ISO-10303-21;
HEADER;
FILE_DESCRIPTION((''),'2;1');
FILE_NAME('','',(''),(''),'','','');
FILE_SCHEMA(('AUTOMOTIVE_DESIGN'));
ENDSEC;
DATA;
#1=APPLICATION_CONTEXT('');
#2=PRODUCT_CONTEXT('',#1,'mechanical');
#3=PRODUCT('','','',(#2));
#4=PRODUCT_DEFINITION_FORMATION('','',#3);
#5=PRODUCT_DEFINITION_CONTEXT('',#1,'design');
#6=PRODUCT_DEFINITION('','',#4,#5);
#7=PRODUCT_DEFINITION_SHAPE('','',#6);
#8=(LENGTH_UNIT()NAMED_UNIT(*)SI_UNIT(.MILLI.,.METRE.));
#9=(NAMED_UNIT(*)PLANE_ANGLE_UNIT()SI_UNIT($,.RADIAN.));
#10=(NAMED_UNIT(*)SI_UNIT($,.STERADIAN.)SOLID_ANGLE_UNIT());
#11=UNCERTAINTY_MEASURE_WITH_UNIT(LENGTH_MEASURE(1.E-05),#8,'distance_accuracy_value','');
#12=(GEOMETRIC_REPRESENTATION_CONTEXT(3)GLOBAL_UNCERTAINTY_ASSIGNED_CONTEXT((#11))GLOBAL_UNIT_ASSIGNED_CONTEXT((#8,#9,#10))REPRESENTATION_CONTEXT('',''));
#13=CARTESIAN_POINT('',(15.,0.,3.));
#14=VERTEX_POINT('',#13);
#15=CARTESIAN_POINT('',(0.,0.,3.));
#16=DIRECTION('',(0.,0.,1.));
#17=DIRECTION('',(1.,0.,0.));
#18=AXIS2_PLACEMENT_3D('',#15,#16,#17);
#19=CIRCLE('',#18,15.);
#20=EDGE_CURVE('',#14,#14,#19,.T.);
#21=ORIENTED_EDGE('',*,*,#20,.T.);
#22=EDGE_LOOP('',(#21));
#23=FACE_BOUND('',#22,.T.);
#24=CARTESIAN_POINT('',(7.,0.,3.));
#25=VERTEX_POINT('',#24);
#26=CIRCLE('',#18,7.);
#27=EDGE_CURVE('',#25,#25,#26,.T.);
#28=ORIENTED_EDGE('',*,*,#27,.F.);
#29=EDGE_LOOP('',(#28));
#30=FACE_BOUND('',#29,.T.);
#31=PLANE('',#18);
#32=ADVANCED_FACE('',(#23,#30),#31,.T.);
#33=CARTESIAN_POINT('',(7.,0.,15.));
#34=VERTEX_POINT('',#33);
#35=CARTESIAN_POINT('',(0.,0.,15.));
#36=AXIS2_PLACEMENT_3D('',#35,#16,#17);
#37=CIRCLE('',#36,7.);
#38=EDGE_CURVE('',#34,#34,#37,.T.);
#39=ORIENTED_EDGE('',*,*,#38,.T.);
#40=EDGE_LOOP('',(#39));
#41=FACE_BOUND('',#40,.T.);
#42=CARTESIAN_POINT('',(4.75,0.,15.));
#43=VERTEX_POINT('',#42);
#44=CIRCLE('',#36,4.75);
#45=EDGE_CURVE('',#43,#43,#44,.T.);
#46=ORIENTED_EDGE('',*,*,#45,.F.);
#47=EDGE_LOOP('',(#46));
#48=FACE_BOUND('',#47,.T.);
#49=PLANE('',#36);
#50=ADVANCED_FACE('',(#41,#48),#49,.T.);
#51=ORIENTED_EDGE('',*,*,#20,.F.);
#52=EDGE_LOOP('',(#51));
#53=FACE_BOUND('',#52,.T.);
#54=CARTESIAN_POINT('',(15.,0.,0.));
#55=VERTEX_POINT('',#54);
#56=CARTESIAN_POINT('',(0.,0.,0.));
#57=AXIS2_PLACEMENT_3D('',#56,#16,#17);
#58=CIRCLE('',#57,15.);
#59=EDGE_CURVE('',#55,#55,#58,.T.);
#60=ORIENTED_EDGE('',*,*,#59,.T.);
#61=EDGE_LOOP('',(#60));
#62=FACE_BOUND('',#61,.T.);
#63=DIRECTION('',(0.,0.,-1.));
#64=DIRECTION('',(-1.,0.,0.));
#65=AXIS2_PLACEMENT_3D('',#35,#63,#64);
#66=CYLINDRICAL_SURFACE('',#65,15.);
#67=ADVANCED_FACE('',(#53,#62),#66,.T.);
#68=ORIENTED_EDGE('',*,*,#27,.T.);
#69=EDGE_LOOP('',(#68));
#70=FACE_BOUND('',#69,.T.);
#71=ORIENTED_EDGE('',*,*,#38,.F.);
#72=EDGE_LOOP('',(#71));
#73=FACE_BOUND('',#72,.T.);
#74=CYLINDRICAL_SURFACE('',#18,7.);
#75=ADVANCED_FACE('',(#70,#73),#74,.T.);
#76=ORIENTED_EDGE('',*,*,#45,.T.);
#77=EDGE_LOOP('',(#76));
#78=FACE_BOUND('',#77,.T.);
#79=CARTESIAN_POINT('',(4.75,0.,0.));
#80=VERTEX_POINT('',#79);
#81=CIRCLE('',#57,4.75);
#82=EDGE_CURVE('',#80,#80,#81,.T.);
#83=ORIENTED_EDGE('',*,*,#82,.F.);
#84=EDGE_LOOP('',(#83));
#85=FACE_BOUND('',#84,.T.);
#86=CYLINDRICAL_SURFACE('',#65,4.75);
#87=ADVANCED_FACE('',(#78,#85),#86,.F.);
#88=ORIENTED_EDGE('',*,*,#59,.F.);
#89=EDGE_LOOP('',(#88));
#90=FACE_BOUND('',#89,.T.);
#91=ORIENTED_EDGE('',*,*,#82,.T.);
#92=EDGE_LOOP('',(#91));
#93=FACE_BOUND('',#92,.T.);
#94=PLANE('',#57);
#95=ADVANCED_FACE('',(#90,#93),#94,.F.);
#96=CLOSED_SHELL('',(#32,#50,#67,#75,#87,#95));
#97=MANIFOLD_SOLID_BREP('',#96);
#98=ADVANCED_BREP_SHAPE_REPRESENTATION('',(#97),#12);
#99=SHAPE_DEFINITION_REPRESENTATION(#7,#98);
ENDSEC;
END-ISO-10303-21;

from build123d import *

# Parameters (mm, degrees)
SKETCH1_R           = 15
SKETCH1_R_2         = 4.75
BOSS_EXTRUDE1_DEPTH = 15
CUT_EXTRUDE1_START  = -12
SKETCH2_R           = 15
SKETCH2_R_2         = 7
CUT_EXTRUDE1_DEPTH  = 12


with BuildPart() as part:
    # Sketch1 → Boss-Extrude1 (new body)
    with BuildSketch(Plane.XY):
        Circle(SKETCH1_R)
        Circle(SKETCH1_R_2, mode=Mode.SUBTRACT)
    extrude(amount=BOSS_EXTRUDE1_DEPTH)

    # Sketch2 → Cut-Extrude1 (cut)
    with BuildSketch(Plane.XY.offset(15).offset(CUT_EXTRUDE1_START)):
        Circle(SKETCH2_R)
        Circle(SKETCH2_R_2, mode=Mode.SUBTRACT)
    extrude(amount=CUT_EXTRUDE1_DEPTH, mode=Mode.SUBTRACT)


solid = part.part
